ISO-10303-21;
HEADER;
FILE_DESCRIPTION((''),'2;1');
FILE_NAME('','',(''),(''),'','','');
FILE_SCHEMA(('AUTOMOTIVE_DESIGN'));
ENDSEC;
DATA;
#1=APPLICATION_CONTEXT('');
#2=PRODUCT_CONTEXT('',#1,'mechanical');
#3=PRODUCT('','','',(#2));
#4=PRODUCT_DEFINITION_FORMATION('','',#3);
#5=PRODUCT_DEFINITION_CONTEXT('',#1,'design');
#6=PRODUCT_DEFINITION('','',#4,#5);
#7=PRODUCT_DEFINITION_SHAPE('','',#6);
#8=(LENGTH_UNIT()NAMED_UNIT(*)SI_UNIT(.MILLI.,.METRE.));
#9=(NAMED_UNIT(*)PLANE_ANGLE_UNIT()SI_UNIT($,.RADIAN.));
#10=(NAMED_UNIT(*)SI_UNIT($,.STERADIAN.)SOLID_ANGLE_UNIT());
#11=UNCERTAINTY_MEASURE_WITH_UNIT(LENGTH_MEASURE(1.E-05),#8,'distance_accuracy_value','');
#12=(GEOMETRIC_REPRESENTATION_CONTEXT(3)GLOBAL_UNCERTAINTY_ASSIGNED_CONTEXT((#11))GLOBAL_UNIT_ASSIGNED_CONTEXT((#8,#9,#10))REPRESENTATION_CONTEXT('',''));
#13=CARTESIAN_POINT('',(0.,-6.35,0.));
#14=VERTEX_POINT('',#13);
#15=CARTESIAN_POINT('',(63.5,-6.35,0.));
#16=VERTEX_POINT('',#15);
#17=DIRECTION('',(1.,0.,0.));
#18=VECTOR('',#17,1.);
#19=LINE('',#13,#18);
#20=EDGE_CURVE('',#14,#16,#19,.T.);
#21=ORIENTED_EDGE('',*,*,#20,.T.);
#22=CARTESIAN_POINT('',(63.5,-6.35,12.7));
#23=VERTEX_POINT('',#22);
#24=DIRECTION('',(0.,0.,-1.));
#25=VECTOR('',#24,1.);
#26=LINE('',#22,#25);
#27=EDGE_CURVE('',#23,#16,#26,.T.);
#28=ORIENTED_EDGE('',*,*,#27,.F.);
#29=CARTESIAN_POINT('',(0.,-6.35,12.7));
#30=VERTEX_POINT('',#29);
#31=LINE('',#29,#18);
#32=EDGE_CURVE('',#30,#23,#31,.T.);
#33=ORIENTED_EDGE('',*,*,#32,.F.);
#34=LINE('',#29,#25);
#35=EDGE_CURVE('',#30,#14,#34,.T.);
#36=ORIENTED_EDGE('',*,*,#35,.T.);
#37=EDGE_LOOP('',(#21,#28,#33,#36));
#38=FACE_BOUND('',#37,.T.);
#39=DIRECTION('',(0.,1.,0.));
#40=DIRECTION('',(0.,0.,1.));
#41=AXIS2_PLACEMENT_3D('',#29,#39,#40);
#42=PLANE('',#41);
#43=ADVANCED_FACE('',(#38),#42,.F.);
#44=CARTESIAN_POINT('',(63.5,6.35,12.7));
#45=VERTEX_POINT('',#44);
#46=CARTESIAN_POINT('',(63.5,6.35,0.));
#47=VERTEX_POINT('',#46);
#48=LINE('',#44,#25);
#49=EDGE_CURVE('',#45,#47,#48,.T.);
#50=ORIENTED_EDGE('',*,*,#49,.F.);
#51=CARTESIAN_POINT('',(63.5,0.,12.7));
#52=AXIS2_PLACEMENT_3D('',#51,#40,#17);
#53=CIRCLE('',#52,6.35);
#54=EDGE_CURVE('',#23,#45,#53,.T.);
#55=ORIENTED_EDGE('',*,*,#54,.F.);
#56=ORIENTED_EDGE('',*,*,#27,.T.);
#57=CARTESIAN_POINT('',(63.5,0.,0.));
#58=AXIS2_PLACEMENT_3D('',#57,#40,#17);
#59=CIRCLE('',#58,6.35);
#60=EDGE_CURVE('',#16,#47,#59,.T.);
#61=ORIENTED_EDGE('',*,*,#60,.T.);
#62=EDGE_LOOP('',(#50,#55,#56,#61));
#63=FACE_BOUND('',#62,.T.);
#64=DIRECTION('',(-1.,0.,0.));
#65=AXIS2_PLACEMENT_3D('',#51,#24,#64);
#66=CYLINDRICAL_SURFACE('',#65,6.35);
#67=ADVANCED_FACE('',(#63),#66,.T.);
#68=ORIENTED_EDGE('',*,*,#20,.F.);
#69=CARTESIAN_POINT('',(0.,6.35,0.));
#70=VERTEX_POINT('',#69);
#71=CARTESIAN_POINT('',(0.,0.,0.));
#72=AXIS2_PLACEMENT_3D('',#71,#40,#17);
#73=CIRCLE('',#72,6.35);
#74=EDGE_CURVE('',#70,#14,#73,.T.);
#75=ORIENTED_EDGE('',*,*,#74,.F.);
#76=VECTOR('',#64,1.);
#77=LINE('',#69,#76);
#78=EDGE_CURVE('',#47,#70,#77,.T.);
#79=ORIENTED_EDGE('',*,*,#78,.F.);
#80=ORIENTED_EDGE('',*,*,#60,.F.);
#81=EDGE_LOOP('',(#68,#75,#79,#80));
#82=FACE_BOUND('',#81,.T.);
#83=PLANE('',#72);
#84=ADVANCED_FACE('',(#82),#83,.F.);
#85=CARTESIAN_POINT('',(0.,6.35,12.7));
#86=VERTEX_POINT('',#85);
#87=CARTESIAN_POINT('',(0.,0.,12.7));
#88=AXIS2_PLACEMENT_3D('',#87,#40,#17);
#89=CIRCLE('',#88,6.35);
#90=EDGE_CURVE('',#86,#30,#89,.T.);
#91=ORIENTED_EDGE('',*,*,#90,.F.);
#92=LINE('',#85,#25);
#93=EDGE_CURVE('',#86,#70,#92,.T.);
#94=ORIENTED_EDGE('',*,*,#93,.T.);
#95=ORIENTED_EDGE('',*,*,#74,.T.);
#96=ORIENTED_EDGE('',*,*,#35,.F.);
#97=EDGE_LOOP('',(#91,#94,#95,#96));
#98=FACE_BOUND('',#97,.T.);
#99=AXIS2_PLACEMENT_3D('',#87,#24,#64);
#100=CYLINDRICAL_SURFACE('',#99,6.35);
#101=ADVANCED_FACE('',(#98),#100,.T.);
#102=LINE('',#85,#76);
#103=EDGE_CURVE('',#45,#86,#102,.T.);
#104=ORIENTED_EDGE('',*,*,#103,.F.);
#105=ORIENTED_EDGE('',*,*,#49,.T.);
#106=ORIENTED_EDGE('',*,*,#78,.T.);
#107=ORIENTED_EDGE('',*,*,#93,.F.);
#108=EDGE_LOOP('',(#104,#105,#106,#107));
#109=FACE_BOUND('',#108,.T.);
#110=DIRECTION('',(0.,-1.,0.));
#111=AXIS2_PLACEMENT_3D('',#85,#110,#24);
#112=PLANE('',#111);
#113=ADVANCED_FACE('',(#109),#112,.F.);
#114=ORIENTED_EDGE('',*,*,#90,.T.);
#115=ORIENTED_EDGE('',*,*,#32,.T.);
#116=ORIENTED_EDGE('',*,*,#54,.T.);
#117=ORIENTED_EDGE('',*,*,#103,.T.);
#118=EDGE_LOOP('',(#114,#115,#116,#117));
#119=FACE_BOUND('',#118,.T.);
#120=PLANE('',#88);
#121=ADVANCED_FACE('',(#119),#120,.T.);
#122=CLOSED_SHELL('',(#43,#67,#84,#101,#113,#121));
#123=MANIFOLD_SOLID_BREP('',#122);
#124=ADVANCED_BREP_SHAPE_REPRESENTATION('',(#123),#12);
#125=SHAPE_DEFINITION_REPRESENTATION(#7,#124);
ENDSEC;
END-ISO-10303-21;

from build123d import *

# Parameters (mm, degrees)
BOSS_EXTRUDE1_DEPTH = 12.7


with BuildPart() as part:
    # Sketch1 → Boss-Extrude1 (new body)
    with BuildSketch(Plane.XY):
        with BuildLine():
            Line((0, 6.35), (63.5, 6.35))
            ThreePointArc((63.5, 6.35), (69.85, 0), (63.5, -6.35))
            Line((63.5, -6.35), (0, -6.35))
            ThreePointArc((0, -6.35), (-6.35, 0), (0, 6.35))
        make_face()
    extrude(amount=BOSS_EXTRUDE1_DEPTH)


solid = part.part
